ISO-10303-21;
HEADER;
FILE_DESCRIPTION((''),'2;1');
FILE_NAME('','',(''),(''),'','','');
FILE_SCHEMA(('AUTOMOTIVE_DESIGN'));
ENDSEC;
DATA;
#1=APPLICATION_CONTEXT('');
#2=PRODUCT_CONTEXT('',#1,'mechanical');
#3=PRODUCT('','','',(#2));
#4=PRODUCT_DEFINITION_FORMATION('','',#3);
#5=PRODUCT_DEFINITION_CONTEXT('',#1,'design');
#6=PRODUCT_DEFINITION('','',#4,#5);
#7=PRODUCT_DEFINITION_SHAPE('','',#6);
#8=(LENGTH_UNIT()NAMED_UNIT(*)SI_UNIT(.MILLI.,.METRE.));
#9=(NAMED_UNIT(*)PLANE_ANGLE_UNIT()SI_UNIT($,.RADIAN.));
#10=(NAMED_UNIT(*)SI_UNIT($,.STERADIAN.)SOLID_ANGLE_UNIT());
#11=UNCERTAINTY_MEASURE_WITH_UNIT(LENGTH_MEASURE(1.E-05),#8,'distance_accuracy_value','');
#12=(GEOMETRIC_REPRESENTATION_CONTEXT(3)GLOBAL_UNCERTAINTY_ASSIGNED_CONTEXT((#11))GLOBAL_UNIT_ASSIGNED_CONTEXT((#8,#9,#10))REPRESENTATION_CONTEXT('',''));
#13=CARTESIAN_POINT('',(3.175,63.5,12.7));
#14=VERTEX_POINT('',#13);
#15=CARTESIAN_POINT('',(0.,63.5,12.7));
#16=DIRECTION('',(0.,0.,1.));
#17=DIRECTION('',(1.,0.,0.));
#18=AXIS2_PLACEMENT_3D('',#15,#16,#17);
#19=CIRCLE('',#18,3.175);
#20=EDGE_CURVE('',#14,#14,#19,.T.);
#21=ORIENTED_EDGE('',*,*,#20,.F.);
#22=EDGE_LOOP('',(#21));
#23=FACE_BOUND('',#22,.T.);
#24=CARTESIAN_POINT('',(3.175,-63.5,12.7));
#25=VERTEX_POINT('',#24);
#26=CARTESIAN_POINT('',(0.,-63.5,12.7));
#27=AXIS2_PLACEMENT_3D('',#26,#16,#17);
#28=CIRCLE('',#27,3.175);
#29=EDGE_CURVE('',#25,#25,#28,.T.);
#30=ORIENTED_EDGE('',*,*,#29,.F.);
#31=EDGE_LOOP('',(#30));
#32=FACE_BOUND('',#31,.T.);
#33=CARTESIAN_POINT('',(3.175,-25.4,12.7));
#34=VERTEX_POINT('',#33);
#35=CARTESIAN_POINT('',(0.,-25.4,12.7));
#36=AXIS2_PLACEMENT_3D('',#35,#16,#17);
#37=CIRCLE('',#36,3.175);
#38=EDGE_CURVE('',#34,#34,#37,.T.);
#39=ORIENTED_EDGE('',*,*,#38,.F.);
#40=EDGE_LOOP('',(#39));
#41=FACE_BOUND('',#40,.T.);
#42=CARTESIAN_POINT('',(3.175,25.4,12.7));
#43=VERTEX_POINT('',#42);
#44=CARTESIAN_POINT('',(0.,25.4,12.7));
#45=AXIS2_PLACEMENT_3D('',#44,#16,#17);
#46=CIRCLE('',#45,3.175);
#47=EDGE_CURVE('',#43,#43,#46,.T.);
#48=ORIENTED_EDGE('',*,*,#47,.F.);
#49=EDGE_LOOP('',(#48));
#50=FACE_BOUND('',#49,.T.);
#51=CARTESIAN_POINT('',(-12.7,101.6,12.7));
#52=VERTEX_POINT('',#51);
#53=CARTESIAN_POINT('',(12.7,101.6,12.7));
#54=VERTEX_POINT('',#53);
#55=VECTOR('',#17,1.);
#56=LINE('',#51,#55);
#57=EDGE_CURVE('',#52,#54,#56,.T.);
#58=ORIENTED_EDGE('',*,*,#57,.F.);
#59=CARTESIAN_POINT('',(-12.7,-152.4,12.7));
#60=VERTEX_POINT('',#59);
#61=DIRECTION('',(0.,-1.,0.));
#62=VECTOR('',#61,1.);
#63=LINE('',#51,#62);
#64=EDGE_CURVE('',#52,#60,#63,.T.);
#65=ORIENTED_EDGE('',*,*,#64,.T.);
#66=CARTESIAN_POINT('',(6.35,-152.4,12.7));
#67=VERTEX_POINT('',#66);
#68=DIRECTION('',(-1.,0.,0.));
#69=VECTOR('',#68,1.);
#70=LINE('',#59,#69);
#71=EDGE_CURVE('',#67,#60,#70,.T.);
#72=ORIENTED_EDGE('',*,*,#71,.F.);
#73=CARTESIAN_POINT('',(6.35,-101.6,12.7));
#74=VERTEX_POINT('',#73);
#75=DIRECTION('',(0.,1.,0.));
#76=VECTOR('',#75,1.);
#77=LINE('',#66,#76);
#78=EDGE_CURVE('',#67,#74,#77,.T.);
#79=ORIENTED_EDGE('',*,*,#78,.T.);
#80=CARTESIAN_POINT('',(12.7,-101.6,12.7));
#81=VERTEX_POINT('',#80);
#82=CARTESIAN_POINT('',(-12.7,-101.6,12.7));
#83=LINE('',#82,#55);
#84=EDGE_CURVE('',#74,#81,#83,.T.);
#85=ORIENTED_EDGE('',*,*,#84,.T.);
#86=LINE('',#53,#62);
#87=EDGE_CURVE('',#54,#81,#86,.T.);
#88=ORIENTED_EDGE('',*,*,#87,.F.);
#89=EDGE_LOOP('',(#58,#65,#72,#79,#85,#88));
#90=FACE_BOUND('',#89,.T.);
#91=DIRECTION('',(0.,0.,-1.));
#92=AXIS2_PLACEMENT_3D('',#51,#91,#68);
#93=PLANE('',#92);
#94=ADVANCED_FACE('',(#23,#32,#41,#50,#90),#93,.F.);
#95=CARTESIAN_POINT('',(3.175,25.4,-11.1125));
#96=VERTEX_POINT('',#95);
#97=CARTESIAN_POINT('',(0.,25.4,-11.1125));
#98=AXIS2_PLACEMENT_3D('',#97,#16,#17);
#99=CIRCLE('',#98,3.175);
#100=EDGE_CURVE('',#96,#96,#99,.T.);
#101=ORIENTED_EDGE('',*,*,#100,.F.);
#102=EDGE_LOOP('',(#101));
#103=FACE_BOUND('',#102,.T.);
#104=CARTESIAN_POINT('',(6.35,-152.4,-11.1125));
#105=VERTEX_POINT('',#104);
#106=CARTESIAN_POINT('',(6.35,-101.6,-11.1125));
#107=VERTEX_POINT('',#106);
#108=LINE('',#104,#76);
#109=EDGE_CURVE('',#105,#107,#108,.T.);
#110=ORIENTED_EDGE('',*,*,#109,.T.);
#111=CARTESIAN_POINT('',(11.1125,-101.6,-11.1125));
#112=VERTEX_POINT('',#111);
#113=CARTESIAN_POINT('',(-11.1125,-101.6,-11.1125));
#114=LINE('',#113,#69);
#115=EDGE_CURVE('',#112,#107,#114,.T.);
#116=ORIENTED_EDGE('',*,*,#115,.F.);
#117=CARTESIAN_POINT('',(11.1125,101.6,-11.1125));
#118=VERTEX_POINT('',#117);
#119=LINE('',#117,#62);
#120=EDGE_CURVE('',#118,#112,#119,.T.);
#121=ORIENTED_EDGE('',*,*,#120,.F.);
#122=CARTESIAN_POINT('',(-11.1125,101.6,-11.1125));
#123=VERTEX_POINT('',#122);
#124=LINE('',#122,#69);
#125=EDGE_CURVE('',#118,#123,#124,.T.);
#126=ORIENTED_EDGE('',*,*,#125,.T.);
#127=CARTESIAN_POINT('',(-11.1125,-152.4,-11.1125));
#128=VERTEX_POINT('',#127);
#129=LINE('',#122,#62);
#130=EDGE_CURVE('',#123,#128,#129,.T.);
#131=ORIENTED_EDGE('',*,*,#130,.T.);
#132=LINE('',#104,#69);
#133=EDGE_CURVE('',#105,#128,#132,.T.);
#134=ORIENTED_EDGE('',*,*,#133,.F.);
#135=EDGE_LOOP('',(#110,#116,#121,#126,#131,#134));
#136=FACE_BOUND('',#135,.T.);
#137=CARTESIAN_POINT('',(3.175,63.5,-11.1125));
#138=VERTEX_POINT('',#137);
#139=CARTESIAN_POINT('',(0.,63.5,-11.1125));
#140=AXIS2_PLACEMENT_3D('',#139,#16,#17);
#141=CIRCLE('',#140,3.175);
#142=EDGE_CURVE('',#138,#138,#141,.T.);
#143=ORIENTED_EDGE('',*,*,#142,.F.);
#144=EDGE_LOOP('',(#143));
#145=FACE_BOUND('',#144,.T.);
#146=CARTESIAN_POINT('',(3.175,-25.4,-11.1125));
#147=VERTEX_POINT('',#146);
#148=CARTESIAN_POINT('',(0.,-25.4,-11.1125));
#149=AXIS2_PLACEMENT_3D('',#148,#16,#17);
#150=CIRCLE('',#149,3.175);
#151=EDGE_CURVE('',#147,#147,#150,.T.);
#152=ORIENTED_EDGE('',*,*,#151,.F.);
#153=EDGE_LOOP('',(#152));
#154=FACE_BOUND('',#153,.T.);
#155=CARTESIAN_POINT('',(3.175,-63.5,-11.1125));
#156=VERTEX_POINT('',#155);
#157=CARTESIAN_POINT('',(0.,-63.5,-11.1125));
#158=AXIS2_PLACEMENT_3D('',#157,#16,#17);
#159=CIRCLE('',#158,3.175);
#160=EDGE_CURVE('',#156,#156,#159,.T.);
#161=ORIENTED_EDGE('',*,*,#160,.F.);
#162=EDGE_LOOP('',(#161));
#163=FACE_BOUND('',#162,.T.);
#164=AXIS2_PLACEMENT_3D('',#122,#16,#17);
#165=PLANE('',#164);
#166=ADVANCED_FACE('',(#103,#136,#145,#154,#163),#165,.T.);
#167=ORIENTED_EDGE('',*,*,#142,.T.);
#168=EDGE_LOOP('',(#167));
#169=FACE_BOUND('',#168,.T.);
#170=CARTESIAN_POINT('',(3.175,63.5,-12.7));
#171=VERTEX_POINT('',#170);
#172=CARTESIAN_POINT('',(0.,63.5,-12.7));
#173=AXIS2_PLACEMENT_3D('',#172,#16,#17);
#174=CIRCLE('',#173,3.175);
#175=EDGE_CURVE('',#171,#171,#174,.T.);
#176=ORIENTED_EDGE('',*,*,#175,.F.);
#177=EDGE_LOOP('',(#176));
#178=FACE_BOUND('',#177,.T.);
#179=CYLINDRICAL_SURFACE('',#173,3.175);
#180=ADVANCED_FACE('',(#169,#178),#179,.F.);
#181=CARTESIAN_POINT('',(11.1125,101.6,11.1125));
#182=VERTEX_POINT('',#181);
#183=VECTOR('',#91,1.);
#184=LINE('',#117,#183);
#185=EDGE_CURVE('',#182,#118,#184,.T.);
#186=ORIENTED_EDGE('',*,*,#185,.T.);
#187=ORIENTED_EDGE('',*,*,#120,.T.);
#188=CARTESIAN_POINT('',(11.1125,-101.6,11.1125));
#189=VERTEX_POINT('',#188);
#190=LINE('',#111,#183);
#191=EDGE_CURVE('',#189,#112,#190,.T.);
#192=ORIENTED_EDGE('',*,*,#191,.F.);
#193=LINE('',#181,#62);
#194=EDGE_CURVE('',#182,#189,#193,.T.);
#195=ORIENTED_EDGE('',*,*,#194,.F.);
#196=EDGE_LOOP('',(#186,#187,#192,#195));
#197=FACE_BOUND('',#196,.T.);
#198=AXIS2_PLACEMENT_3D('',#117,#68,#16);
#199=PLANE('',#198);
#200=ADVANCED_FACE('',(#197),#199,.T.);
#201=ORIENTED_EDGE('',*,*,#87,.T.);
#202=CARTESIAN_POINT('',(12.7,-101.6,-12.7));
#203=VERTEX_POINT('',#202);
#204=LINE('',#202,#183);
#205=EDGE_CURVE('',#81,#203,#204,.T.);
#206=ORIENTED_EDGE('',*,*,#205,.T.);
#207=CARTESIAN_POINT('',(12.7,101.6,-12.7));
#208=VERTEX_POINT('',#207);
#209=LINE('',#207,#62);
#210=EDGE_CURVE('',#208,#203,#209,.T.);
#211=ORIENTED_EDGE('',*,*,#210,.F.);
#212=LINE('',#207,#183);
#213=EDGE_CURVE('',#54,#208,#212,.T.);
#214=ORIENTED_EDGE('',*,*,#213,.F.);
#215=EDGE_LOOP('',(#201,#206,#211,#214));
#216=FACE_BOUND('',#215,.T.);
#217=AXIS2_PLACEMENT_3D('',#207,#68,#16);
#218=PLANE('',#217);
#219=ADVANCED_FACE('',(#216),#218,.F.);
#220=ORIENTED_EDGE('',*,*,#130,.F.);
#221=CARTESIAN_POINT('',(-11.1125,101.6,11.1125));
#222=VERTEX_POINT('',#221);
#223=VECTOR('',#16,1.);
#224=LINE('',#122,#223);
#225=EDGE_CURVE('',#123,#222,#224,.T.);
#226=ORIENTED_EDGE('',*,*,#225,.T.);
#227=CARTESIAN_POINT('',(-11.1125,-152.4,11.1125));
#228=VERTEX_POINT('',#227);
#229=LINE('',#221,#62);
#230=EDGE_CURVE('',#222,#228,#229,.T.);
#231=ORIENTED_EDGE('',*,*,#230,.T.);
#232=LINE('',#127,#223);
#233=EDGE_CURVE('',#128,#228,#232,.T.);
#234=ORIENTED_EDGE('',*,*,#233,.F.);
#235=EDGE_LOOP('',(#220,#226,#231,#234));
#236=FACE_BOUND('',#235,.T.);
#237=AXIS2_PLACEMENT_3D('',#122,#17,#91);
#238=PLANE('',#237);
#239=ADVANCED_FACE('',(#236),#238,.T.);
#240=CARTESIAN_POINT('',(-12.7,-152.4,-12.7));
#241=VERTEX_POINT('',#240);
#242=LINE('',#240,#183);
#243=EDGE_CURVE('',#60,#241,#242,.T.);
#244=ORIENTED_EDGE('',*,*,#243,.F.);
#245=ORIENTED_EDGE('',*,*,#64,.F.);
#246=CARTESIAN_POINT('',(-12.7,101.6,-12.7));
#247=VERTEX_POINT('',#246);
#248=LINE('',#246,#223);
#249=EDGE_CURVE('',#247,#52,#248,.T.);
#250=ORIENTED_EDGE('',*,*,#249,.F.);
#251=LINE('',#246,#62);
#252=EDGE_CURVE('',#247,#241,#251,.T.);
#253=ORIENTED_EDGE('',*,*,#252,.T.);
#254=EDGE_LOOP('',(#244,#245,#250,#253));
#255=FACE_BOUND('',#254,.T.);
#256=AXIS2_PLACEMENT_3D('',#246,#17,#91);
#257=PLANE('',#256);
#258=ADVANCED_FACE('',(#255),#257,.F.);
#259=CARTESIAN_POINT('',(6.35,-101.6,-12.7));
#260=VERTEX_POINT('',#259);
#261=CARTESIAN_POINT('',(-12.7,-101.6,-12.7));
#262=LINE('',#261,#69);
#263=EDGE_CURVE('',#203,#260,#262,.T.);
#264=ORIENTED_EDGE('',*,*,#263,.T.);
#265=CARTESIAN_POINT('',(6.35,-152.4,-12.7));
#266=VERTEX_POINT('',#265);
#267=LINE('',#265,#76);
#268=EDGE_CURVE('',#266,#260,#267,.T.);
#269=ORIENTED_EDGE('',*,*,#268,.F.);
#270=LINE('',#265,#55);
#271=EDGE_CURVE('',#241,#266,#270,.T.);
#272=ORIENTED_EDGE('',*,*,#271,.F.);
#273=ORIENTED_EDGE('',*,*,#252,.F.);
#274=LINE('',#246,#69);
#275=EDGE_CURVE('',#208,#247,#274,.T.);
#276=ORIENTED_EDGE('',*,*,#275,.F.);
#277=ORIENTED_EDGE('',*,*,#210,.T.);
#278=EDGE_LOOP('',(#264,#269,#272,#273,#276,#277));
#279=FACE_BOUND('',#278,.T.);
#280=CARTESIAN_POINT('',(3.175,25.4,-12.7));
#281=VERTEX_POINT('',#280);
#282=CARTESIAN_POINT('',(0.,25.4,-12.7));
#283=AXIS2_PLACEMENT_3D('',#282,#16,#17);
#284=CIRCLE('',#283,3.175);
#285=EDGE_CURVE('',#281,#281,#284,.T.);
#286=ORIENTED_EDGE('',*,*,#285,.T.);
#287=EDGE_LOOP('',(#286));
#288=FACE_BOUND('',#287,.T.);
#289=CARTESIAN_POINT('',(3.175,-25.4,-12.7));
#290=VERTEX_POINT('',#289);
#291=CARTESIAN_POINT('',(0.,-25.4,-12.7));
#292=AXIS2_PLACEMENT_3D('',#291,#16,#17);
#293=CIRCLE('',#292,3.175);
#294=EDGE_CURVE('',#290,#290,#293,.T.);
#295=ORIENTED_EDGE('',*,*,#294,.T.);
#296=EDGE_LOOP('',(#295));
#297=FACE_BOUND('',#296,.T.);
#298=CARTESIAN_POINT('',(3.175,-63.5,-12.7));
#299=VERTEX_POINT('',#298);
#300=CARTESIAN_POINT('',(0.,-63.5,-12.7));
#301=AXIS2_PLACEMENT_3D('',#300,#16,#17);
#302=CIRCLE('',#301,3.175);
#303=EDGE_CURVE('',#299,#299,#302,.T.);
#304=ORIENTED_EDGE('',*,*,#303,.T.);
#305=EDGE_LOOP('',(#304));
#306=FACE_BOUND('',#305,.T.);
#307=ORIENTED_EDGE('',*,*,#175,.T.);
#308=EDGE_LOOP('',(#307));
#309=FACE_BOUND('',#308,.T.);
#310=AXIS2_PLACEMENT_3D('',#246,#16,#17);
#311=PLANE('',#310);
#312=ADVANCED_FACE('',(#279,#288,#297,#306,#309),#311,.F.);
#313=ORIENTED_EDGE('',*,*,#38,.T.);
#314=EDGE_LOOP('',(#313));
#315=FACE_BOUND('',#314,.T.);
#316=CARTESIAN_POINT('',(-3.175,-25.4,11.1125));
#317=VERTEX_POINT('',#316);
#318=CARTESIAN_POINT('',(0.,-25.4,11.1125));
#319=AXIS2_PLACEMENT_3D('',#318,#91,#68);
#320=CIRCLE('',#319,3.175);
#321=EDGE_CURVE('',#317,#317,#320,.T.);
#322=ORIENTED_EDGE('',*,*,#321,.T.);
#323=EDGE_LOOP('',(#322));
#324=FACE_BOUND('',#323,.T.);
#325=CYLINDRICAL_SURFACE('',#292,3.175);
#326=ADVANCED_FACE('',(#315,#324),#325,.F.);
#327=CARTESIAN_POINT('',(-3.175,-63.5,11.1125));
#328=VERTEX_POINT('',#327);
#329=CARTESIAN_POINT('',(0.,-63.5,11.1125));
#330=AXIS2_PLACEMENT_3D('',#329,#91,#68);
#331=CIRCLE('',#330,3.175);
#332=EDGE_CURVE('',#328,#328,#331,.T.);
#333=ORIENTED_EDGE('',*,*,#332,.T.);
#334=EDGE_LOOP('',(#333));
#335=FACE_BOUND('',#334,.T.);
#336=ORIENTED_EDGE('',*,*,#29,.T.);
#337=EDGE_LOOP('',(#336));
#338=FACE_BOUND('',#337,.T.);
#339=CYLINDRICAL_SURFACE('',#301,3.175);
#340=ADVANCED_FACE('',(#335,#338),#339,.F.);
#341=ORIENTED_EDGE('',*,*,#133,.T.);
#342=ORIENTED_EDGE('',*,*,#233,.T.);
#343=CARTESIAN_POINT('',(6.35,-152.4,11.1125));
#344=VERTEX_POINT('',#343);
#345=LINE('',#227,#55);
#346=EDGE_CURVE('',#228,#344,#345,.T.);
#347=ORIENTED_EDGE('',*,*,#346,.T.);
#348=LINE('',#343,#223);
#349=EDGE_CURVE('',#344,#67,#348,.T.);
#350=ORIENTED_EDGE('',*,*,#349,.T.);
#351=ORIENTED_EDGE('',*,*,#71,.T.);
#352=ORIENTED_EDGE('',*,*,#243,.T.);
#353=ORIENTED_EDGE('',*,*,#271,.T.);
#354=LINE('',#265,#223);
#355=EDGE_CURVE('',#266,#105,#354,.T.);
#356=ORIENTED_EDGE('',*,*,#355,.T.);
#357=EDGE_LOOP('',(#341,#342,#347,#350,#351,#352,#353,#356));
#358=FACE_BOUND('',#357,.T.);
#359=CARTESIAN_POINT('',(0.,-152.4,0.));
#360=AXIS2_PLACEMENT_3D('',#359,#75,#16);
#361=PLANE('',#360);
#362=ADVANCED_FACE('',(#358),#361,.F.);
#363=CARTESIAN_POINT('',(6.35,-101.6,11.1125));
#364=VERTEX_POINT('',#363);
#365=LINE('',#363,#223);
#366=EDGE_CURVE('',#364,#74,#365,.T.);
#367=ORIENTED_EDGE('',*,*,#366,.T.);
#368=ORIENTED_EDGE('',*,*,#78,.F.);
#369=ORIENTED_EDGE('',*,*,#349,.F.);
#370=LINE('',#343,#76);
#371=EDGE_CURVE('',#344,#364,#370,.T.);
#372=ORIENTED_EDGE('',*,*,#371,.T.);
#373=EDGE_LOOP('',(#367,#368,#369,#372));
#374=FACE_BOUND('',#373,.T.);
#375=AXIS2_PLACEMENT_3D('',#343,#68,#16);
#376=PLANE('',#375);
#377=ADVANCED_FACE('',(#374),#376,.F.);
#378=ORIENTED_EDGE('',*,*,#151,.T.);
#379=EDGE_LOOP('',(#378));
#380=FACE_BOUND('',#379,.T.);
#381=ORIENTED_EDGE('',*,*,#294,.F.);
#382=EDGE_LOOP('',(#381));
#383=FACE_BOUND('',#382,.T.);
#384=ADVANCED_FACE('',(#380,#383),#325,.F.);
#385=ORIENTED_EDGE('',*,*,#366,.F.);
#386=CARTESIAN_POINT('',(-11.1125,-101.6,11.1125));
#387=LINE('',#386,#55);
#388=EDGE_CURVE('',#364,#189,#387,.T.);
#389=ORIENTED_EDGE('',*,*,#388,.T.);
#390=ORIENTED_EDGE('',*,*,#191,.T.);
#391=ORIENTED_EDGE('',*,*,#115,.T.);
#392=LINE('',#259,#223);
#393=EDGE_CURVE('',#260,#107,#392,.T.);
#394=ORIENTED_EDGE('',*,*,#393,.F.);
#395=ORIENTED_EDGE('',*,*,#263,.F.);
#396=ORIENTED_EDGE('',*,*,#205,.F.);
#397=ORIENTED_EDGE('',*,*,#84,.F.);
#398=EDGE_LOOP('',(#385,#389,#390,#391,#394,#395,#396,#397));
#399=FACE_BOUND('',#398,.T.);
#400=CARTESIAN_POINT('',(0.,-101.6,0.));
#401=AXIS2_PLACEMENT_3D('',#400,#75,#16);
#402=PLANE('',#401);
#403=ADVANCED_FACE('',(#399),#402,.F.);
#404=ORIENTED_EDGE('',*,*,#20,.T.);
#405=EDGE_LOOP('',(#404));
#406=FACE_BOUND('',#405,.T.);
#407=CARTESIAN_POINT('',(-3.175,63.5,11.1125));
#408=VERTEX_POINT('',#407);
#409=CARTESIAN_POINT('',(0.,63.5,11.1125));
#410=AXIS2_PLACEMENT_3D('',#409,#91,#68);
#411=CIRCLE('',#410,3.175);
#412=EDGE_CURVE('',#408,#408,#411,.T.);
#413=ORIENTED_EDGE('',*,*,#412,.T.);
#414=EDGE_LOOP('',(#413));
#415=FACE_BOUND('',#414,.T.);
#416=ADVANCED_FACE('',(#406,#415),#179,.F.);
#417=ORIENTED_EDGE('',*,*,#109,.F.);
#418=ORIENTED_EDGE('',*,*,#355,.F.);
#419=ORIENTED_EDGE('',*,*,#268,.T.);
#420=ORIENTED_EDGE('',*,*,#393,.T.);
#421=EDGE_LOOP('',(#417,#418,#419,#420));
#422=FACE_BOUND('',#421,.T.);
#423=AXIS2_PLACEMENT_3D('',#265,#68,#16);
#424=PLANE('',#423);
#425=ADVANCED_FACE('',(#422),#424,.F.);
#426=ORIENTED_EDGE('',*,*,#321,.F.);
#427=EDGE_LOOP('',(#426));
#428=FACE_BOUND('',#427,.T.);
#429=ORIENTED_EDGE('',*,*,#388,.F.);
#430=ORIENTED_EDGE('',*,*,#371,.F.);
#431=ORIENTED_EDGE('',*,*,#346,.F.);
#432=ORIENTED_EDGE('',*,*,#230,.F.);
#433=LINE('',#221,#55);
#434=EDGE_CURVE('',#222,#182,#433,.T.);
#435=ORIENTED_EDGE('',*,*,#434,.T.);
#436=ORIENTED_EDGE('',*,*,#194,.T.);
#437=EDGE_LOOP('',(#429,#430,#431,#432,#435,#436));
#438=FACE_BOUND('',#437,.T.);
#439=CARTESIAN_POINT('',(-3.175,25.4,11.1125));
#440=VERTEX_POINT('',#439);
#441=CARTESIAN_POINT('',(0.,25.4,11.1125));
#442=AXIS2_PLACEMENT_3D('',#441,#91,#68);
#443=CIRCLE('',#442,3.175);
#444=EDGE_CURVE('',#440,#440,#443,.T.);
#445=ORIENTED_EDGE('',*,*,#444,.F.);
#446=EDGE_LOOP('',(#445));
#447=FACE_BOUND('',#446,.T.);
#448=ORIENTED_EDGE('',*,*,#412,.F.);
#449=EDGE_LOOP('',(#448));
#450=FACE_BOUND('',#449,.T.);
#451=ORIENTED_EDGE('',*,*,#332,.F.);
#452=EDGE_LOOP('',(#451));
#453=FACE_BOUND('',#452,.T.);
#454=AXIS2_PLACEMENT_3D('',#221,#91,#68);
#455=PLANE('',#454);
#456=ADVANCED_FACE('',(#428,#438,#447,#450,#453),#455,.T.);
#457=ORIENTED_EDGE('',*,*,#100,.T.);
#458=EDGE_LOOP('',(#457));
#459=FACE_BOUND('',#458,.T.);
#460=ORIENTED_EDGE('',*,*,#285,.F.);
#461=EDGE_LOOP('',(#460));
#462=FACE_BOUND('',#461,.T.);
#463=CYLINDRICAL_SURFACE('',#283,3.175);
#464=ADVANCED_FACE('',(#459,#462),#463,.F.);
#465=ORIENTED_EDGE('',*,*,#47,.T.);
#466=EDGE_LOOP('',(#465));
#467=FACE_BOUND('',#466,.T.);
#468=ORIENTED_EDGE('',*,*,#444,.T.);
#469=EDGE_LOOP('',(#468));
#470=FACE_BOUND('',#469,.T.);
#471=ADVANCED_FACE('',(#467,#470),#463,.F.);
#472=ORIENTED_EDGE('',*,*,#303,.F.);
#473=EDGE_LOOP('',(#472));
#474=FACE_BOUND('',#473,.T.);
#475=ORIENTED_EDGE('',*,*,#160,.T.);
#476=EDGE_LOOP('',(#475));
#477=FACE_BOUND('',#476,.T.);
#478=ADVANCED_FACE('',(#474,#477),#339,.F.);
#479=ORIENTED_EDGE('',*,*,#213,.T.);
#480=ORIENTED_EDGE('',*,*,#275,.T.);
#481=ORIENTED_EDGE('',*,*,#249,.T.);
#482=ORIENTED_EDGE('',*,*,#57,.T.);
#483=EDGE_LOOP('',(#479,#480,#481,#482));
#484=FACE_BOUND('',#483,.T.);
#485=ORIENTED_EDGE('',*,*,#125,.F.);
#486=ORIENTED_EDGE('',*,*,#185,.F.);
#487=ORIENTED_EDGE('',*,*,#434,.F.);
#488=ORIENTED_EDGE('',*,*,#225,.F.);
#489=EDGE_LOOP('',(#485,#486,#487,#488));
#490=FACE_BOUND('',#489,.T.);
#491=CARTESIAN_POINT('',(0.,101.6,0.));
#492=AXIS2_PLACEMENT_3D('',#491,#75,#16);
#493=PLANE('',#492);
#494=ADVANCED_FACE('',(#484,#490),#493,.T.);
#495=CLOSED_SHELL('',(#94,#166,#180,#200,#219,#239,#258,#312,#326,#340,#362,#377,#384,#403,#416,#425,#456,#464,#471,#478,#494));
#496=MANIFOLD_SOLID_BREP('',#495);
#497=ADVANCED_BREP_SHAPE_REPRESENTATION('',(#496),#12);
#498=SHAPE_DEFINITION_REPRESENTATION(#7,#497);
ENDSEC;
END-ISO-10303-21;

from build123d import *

# Parameters (mm, degrees)
SKETCH1_W           = 25.4
SKETCH1_H           = 25.4
SKETCH1_W_2         = 22.225
SKETCH1_H_2         = 22.225
BOSS_EXTRUDE1_DEPTH = 101.6
SKETCH4_R           = 3.175
CUT_EXTRUDE3_DEPTH  = 25.4
SKETCH5_R           = 3.175
CUT_EXTRUDE4_DEPTH  = 25.4
BOSS_EXTRUDE2_DEPTH = 50.8


with BuildPart() as part:
    # Sketch1 → Boss-Extrude1 (new, symmetric)
    with BuildSketch(Plane(origin=(0, 0, 0), x_dir=(1, 0, 0), z_dir=(0, 1, 0))):
        Rectangle(SKETCH1_W, SKETCH1_H)
        Rectangle(SKETCH1_W_2, SKETCH1_H_2, mode=Mode.SUBTRACT)
    extrude(amount=BOSS_EXTRUDE1_DEPTH, both=True)

    # Sketch4 → Cut-Extrude3 (cut)
    with BuildSketch(Plane.XY.offset(12.7)):
        with Locations((0, 63.5)):
            Circle(SKETCH4_R)
        with Locations((0, -63.5)):
            Circle(SKETCH4_R)
    extrude(amount=-CUT_EXTRUDE3_DEPTH, mode=Mode.SUBTRACT)

    # Sketch5 → Cut-Extrude4 (cut)
    with BuildSketch(Plane.XY.offset(12.7)):
        with Locations((0, 25.4)):
            Circle(SKETCH5_R)
        with Locations((0, -25.4)):
            Circle(SKETCH5_R)
    extrude(amount=-CUT_EXTRUDE4_DEPTH, mode=Mode.SUBTRACT)

    # Sketch6 → Boss-Extrude2 (add)
    with BuildSketch(Plane.XZ.offset(101.6)):
        Polygon((6.35, -11.1125), (-11.1125, -11.1125), (-11.1125, 11.1125), (6.35, 11.1125), (6.35, 12.7), (-12.7, 12.7), (-12.7, -12.7), (6.35, -12.7), align=None)
    extrude(amount=BOSS_EXTRUDE2_DEPTH)


solid = part.part
